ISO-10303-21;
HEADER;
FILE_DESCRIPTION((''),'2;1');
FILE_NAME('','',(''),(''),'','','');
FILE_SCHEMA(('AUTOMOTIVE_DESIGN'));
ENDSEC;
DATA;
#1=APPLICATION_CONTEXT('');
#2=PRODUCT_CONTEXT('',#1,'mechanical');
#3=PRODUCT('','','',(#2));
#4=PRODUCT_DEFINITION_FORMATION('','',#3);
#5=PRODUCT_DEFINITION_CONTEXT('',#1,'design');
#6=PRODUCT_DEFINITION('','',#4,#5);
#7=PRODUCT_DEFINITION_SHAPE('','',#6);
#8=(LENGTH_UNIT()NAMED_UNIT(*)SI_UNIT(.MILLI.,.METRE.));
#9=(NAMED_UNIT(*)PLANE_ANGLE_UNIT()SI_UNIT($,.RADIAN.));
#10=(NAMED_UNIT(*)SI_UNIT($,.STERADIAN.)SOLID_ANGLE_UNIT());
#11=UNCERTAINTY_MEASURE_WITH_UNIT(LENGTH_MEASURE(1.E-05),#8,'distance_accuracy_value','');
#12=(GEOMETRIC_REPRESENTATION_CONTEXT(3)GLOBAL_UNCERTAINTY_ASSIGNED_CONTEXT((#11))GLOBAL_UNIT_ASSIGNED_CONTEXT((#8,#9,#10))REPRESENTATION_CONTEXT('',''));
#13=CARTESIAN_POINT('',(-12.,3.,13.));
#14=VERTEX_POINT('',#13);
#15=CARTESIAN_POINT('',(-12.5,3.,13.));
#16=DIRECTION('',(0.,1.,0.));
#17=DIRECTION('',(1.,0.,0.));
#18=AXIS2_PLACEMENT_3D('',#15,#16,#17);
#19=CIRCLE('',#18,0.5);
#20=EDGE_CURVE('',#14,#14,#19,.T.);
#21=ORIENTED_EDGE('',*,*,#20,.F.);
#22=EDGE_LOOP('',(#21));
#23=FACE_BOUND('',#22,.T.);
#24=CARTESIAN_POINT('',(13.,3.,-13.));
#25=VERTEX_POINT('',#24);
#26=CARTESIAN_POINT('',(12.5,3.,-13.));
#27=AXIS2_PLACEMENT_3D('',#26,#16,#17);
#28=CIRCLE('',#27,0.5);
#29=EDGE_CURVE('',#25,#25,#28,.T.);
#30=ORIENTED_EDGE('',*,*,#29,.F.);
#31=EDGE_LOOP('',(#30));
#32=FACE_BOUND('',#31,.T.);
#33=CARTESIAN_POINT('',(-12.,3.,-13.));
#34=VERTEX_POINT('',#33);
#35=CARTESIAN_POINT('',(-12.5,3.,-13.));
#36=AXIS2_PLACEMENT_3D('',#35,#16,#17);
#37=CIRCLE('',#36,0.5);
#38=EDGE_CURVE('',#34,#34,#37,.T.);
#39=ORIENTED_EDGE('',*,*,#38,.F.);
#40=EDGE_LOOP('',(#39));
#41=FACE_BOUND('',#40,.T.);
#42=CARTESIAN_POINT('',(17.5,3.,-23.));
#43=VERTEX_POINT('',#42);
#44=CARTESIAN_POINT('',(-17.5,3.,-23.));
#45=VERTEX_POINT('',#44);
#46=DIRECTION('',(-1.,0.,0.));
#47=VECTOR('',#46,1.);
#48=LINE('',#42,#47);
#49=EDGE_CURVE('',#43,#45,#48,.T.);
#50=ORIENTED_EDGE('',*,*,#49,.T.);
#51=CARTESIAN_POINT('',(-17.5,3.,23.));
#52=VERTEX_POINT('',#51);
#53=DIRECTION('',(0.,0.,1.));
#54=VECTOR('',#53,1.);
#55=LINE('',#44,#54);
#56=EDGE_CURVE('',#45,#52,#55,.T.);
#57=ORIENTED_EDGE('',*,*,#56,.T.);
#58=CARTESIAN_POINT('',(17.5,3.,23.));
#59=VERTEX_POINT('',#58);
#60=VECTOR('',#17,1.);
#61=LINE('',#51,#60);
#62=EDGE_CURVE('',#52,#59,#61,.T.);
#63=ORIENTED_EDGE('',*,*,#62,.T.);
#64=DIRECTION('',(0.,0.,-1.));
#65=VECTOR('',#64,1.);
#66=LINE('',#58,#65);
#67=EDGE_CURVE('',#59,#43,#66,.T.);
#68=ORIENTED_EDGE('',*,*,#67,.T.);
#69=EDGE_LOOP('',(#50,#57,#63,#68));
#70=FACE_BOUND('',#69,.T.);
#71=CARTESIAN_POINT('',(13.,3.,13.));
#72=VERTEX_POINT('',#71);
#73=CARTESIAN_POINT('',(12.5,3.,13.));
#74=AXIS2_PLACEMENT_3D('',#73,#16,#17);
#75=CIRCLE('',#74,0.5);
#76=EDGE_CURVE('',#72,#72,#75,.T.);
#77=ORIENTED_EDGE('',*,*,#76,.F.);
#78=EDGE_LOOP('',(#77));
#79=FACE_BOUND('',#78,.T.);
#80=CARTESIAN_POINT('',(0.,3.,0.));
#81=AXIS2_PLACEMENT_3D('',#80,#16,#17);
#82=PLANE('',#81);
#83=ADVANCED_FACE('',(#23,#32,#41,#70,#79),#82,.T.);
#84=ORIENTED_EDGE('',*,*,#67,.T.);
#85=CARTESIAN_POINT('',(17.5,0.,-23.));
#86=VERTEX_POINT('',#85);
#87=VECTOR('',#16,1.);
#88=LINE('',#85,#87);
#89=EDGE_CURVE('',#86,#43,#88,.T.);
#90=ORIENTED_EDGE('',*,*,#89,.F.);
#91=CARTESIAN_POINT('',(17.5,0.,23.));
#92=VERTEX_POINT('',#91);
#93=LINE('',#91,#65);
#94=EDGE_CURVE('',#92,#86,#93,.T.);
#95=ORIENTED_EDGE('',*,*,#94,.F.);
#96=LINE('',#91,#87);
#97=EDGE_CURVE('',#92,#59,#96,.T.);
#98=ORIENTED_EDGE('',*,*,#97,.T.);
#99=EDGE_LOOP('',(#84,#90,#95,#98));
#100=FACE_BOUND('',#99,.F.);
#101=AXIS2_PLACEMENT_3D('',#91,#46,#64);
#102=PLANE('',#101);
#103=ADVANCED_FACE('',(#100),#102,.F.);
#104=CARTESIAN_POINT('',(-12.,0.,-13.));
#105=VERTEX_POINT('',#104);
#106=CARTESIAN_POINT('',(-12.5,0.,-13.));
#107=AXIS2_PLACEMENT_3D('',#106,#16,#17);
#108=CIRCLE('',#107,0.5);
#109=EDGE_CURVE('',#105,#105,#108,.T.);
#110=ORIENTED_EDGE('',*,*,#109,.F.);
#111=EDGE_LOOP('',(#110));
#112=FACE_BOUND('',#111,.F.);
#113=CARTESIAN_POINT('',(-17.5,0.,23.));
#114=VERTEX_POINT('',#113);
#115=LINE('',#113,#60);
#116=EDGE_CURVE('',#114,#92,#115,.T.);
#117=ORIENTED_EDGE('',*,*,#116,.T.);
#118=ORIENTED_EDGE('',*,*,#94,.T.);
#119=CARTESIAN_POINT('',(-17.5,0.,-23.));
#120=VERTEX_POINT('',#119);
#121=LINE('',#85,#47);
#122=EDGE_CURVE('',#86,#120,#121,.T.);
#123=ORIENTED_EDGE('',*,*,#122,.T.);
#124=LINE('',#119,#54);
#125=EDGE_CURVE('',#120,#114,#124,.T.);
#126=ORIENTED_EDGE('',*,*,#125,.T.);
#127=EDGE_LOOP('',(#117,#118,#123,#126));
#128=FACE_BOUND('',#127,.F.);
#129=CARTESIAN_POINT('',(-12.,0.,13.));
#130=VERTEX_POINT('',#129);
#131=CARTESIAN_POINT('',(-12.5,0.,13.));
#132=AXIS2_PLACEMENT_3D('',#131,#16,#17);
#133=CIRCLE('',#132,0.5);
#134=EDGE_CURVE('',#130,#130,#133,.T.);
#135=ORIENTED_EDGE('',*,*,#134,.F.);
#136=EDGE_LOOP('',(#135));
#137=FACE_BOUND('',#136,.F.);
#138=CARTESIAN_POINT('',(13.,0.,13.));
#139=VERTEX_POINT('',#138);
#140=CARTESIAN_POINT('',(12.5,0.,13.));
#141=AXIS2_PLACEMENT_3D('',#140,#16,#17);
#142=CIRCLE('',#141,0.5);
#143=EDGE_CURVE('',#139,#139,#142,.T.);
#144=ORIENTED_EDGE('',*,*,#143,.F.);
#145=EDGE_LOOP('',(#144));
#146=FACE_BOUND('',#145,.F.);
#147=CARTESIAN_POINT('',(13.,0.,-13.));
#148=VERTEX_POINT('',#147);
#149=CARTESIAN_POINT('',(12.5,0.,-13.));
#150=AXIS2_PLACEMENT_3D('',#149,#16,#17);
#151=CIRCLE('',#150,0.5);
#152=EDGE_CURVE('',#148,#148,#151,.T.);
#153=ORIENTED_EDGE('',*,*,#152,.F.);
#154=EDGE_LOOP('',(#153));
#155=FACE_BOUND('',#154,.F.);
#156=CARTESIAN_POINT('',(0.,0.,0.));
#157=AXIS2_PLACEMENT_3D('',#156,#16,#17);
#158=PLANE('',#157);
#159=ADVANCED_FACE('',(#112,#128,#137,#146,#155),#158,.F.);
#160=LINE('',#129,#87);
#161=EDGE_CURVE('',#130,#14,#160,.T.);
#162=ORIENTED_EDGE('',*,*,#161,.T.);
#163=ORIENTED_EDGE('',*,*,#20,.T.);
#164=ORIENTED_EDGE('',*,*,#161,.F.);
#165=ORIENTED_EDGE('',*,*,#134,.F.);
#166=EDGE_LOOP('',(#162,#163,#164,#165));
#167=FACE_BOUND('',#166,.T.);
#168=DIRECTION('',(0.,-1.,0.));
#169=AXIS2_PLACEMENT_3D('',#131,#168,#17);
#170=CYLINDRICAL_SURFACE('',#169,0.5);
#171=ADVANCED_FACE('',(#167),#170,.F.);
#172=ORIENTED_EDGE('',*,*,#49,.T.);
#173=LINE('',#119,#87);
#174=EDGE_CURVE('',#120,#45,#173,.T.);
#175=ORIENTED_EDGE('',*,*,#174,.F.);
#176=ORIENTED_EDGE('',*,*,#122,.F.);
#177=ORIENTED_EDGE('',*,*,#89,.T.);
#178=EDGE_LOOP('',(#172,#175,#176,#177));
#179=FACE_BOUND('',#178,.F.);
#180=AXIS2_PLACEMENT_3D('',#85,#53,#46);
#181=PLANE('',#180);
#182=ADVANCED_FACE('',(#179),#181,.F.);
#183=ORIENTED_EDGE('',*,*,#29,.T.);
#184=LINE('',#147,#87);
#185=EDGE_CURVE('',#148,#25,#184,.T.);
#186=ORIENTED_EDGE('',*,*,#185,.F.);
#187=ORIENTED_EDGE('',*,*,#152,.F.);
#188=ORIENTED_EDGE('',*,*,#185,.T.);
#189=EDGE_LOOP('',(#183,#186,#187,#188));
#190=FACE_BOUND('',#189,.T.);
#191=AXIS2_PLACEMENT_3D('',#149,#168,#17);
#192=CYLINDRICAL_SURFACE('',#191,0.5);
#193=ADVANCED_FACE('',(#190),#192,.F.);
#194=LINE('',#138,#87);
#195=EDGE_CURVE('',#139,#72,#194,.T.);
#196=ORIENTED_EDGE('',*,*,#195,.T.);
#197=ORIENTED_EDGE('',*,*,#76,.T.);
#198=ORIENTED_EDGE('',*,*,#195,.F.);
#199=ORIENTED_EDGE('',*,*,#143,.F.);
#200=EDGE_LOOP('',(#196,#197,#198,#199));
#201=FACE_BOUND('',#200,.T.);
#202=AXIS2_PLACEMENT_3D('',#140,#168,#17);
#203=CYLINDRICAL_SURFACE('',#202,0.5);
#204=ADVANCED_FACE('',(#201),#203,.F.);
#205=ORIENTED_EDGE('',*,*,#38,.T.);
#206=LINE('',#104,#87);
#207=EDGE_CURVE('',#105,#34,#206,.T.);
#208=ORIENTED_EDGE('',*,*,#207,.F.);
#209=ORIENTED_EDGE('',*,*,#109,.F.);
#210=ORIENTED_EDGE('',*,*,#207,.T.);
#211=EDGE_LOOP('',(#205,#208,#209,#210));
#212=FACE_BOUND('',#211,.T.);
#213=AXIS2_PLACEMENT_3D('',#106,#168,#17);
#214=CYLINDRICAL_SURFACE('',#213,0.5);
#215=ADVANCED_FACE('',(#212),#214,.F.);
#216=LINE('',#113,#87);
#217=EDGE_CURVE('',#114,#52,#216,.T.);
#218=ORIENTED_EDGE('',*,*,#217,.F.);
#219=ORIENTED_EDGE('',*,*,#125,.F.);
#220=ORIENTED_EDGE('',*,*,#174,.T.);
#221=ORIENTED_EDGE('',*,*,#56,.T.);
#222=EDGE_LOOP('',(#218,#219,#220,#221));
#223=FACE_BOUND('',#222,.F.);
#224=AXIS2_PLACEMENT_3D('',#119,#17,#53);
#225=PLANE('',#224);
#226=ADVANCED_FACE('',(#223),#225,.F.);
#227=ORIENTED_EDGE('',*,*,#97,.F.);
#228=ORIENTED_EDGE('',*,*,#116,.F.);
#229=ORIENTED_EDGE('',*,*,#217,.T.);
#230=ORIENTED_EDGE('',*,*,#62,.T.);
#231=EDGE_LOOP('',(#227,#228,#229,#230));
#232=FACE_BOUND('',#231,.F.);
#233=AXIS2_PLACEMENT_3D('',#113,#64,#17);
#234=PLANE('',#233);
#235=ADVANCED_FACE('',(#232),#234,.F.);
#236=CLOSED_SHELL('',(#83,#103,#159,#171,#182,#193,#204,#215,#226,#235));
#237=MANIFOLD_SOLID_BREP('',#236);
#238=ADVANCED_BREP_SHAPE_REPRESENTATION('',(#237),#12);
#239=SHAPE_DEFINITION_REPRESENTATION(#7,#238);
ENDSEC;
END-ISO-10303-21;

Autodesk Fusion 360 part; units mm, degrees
sketch "Sketch1" plane through (0, 0, 0) normal (0, 1, 0) x (1, 0, 0)
  line L0 (17.5, 23) -> (-17.5, 23)
  line L1 (-17.5, 23) -> (-17.5, -23)
  line L2 (-17.5, -23) -> (17.5, -23)
  line L3 (17.5, -23) -> (17.5, 23)
  line L4 (17.5, 23) -> (-17.5, -23) construction
  line L5 (-17.5, 23) -> (17.5, -23) construction
  circle A0 centre (-12.5, -13) radius 0.5
  circle A1 centre (12.5, -13) radius 0.5
  circle A2 centre (12.5, 13) radius 0.5
  circle A3 centre (-12.5, 13) radius 0.5
  dimension "d1" = 46
  dimension "d2" = 35
  dimension "d3" = 1
  dimension "d4" = 1
  dimension "d5" = 1
  dimension "d6" = 1
  dimension "d7" = 10
  dimension "d8" = 5
  dimension "d9" = 5
  dimension "d10" = 10
  dimension "d11" = 10
  dimension "d12" = 5
  dimension "d13" = 10
  dimension "d14" = 5
  dimension "d15" = 15
  dimension "d16" = 15
extrude "Extrude1" add sketch "Sketch1" along normal blind 3
